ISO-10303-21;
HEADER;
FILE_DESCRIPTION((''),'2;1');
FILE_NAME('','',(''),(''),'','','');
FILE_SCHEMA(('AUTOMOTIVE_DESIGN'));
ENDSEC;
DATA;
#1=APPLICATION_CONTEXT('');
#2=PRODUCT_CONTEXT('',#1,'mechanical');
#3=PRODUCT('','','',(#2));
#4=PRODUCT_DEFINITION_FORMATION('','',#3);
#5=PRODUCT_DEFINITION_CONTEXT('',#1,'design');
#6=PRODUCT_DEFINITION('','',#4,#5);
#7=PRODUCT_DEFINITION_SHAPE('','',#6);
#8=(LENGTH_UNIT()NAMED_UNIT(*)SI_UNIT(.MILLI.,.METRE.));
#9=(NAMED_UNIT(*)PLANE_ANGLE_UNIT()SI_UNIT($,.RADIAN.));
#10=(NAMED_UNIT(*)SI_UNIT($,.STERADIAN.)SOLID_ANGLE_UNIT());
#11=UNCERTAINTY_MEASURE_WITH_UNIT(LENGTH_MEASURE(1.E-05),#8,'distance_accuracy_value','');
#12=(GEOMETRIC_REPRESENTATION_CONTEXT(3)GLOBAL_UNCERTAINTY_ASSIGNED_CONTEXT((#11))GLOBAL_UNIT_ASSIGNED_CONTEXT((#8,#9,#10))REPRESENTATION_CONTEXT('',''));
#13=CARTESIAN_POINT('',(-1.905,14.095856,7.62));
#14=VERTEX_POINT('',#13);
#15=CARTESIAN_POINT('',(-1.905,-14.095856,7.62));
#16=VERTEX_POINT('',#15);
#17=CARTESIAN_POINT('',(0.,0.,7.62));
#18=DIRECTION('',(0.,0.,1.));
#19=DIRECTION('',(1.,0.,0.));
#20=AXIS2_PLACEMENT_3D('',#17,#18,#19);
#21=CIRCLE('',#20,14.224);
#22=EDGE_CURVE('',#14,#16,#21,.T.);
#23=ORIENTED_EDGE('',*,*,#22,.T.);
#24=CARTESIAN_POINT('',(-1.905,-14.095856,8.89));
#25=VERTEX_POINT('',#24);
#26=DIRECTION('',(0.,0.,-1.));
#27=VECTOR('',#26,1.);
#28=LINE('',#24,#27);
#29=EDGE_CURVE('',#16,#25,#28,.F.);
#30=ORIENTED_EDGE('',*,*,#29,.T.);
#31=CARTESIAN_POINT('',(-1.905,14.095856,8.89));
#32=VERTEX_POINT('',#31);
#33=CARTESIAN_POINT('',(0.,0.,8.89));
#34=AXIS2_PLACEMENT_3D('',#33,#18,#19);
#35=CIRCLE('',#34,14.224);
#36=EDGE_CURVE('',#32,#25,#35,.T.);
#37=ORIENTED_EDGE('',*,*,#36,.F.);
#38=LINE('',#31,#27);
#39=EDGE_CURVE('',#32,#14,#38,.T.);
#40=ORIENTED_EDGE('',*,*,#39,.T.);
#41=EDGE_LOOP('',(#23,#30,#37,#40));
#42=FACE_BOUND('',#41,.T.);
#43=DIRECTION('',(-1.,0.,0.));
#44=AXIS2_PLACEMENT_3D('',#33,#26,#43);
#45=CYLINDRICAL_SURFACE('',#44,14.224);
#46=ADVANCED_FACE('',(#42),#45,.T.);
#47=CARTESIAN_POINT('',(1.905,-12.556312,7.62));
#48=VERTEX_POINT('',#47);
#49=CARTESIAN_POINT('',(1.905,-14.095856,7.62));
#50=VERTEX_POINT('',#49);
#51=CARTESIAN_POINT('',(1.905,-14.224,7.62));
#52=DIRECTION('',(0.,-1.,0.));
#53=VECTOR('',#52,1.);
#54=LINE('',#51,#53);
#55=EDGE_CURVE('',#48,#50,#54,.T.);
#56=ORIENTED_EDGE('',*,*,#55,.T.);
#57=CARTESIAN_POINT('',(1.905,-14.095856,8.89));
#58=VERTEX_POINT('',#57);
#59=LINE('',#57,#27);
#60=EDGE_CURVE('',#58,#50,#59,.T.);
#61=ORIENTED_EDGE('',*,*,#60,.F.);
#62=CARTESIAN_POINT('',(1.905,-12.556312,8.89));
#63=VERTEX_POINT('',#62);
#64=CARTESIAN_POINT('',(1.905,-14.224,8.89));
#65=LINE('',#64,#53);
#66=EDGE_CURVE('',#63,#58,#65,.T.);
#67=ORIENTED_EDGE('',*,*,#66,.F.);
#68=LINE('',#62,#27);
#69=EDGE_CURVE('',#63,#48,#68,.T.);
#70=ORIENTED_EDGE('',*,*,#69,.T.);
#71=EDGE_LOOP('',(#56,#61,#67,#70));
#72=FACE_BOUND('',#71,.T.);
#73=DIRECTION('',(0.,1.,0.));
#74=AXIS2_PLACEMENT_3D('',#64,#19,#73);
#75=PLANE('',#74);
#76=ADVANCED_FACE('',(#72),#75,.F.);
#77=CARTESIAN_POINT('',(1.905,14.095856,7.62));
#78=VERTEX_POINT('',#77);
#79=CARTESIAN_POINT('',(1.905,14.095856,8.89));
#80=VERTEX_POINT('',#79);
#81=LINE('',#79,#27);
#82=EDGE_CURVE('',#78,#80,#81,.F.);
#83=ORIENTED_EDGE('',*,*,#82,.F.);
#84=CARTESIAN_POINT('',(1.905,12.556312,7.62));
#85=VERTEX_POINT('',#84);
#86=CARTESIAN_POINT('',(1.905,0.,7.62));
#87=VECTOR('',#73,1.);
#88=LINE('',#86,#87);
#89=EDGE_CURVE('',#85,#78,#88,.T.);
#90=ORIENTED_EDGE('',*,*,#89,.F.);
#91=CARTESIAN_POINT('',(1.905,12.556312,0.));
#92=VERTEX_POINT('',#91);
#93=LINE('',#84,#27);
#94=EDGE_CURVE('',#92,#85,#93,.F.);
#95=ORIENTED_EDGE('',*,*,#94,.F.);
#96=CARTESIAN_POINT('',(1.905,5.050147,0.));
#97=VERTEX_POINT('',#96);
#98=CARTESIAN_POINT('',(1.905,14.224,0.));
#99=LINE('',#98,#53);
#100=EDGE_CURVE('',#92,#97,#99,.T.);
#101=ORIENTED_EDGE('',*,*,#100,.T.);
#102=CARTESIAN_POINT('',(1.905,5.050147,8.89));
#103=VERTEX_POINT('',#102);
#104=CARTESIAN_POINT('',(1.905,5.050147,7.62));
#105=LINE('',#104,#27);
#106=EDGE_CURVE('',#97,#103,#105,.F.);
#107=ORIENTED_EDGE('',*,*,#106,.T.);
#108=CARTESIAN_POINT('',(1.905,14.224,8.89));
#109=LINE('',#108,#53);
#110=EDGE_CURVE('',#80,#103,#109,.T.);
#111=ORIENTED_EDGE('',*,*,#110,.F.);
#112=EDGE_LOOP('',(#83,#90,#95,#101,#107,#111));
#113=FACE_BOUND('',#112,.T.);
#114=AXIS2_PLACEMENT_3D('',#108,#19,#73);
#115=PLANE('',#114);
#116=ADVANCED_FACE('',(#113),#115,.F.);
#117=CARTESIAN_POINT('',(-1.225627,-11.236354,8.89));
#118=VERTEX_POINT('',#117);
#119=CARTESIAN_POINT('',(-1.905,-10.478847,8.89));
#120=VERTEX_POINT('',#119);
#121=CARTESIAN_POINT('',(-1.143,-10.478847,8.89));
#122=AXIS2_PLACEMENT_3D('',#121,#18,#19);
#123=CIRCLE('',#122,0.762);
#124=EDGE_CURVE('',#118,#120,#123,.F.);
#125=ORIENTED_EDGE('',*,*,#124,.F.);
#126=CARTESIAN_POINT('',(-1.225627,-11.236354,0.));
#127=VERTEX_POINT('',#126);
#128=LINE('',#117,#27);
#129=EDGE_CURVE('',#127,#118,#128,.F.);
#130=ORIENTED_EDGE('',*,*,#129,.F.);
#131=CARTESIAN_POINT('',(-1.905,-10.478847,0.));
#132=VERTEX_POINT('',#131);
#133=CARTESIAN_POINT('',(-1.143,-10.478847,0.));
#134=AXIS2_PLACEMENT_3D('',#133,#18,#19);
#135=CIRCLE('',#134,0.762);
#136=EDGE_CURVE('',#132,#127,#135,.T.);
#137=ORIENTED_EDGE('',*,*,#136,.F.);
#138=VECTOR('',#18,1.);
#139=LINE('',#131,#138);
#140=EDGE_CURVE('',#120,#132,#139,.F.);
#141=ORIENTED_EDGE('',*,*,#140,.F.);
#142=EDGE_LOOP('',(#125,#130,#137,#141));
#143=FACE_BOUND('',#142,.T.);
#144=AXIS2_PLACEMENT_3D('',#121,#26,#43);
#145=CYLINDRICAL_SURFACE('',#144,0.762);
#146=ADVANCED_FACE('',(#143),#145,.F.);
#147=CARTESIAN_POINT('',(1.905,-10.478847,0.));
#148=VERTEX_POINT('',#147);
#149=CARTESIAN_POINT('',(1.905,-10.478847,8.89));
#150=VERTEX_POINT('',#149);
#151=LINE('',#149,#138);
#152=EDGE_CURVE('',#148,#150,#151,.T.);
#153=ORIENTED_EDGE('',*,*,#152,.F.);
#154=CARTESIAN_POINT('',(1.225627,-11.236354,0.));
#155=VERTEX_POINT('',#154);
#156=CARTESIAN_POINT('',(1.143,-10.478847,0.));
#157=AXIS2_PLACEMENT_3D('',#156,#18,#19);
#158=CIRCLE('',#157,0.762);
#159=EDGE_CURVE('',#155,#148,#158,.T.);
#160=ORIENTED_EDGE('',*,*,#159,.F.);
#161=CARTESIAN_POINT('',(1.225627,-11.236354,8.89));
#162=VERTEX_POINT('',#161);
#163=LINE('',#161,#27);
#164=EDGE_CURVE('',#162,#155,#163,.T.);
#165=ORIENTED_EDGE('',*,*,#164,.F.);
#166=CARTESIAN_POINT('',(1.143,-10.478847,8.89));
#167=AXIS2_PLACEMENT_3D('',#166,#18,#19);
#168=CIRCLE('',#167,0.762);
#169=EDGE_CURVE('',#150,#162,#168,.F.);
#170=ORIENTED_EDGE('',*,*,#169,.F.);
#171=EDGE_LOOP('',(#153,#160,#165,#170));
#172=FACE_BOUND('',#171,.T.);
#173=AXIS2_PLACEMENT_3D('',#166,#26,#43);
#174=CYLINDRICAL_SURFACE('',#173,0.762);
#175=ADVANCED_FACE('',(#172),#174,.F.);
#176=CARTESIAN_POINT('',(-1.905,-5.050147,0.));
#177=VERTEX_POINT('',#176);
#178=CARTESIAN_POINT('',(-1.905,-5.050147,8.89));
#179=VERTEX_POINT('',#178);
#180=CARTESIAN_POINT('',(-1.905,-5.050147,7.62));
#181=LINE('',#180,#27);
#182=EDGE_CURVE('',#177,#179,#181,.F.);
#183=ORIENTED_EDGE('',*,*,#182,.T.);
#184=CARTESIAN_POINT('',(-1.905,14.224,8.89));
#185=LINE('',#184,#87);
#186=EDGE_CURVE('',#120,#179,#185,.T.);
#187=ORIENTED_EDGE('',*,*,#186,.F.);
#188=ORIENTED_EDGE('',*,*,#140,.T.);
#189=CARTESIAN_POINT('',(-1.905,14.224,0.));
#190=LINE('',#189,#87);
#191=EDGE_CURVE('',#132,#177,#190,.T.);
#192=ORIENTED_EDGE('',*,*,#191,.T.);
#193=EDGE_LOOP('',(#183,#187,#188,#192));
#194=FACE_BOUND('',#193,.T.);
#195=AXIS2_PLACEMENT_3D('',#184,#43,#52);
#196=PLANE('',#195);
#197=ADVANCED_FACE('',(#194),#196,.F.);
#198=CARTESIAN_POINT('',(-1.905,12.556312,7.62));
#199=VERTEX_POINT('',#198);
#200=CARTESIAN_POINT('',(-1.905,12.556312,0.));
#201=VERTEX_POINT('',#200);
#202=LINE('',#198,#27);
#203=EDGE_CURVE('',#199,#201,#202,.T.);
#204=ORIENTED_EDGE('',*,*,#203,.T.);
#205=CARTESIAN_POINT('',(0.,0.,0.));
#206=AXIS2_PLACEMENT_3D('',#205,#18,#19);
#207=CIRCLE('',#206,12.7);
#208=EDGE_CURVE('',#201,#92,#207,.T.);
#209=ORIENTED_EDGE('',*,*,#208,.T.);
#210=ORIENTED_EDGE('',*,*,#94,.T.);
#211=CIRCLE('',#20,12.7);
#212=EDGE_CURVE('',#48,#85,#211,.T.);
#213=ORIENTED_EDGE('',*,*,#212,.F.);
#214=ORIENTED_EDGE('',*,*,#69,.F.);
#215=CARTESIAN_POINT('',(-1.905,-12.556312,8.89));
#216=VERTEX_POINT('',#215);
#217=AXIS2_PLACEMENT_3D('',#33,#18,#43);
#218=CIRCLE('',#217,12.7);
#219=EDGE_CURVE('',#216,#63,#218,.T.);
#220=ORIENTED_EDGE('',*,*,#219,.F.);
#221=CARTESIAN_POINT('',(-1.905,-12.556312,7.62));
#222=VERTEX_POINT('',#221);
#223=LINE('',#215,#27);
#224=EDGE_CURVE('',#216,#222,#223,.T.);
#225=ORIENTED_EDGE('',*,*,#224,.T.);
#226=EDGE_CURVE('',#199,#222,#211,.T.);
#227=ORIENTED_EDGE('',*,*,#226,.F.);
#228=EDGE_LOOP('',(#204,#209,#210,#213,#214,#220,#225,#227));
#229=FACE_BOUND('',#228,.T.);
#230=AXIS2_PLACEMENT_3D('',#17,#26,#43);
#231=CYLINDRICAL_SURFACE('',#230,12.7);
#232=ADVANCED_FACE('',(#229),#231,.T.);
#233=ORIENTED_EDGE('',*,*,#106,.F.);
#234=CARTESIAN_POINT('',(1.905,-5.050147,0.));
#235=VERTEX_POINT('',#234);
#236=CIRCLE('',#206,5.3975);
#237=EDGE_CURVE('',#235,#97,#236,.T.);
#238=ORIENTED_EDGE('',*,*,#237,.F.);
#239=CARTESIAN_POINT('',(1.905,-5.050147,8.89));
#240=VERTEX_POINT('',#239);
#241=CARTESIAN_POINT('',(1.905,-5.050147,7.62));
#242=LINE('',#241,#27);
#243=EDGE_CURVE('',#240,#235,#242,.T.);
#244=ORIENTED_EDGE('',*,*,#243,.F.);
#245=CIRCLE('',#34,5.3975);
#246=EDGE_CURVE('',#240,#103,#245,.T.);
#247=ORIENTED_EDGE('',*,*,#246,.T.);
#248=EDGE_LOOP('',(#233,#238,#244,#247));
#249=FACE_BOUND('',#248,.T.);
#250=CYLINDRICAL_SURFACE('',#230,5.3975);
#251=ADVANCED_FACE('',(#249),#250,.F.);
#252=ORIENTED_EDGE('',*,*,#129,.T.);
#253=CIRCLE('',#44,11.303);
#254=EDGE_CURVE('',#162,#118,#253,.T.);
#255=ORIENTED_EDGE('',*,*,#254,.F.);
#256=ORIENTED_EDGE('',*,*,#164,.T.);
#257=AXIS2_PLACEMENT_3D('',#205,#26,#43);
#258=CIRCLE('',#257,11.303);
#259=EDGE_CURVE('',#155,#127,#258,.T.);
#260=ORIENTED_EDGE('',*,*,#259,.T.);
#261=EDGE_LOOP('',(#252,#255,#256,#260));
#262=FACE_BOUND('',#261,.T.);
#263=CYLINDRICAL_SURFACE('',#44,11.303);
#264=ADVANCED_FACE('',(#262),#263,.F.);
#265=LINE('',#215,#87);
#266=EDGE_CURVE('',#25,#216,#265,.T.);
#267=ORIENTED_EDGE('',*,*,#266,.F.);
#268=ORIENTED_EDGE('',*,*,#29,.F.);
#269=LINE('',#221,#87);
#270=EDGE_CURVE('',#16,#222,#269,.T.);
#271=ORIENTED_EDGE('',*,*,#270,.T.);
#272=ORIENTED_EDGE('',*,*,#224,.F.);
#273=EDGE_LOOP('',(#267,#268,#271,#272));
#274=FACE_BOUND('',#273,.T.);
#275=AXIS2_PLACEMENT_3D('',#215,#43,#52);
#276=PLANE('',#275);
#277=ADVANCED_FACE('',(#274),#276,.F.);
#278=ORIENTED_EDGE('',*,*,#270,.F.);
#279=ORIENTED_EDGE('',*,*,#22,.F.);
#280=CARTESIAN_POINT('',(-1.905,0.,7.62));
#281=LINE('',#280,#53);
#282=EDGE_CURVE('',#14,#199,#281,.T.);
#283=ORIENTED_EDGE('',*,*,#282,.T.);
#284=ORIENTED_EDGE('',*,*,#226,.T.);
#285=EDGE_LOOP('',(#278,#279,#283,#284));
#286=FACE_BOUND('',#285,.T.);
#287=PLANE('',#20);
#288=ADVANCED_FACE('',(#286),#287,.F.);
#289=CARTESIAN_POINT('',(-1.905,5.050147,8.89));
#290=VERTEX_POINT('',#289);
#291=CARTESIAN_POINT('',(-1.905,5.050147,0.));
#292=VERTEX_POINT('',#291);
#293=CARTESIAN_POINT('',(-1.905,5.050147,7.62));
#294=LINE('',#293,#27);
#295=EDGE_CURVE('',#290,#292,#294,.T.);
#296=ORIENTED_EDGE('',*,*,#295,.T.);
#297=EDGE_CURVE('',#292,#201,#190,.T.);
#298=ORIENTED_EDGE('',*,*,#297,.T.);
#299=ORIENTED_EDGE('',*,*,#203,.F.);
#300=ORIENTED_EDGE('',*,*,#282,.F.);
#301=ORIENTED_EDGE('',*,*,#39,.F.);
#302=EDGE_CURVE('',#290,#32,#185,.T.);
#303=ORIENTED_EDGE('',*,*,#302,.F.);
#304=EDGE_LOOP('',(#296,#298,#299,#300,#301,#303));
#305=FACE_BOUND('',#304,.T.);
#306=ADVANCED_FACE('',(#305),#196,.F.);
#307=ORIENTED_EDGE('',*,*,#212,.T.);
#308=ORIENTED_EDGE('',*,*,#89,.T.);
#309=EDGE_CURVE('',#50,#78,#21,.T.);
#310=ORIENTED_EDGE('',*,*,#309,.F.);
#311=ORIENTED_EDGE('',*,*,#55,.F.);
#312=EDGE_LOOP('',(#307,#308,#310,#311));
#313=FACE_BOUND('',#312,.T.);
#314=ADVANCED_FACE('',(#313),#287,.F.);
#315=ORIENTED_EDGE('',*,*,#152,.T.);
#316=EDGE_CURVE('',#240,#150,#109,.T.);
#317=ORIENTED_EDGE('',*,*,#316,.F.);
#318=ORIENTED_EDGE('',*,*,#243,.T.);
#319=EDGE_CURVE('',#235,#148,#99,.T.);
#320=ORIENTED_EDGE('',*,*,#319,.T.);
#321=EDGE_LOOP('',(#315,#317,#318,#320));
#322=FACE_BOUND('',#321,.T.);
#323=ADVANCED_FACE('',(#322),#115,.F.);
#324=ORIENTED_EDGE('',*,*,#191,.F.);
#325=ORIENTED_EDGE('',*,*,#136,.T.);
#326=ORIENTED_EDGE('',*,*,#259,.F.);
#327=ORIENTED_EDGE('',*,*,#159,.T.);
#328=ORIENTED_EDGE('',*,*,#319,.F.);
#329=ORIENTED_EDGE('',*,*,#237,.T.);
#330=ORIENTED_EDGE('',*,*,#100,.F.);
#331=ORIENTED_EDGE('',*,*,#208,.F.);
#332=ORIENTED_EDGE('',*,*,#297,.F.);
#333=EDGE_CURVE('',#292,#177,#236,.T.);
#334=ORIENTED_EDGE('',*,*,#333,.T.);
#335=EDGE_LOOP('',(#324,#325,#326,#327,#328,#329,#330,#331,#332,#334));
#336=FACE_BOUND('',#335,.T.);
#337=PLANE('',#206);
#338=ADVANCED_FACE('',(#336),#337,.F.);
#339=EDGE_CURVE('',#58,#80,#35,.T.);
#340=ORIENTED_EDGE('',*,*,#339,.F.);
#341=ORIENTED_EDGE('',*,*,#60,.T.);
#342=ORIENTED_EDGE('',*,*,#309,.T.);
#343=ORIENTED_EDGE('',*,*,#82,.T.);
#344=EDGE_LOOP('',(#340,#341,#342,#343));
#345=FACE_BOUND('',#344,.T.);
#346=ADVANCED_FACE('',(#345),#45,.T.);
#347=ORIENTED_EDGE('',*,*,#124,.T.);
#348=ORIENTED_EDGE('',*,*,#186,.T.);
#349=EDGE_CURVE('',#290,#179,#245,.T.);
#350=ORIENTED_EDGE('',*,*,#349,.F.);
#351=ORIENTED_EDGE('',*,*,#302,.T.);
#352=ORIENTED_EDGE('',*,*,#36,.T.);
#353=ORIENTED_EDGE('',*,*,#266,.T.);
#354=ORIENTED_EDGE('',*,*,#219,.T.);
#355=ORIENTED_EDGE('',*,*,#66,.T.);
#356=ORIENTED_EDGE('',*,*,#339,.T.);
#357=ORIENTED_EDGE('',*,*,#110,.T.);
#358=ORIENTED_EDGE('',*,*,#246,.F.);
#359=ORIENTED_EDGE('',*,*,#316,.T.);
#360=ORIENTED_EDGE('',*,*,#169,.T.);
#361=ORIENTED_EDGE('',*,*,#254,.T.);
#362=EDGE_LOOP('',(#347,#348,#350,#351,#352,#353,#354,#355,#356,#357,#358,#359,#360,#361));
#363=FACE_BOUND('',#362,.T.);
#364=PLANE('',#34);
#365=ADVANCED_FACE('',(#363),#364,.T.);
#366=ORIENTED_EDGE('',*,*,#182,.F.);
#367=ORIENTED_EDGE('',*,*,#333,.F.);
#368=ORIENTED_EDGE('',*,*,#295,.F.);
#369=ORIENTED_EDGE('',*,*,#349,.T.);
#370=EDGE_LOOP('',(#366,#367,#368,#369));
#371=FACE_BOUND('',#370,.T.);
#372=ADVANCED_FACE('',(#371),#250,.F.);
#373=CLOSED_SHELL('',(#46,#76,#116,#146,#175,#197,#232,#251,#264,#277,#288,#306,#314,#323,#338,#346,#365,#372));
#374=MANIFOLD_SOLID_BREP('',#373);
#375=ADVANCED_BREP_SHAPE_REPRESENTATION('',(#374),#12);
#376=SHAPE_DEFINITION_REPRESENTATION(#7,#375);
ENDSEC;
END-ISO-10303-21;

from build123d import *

# Parameters (mm, degrees)
SKETCH1_R           = 12.7
SKETCH1_R_2         = 5.3975
BOSS_EXTRUDE1_DEPTH = 7.62
SKETCH2_R           = 14.224
SKETCH2_R_2         = 5.3975
BOSS_EXTRUDE2_DEPTH = 1.27
CUT_EXTRUDE1_DEPTH  = 9.89
CUT_EXTRUDE2_DEPTH  = 2.27
FILLET1_R           = 0.762


with BuildPart() as part:
    # Sketch1 → Boss-Extrude1 (new body)
    with BuildSketch(Plane.XY):
        Circle(SKETCH1_R)
        Circle(SKETCH1_R_2, mode=Mode.SUBTRACT)
    extrude(amount=BOSS_EXTRUDE1_DEPTH)

    # Sketch2 → Boss-Extrude2 (add)
    with BuildSketch(Plane.XY.offset(7.62)):
        Circle(SKETCH2_R)
        Circle(SKETCH2_R_2, mode=Mode.SUBTRACT)
    extrude(amount=BOSS_EXTRUDE2_DEPTH)

    # Sketch3 → Cut-Extrude1 (cut, through all)
    with BuildSketch(Plane(origin=(0, 0, 0), x_dir=(-1, 0, 0), z_dir=(0, 0, -1))):
        with BuildLine():
            Line((-1.905, 14.224), (1.905, 14.224))
            Line((1.905, 14.224), (1.905, -11.141309797))
            ThreePointArc((1.905, -11.141309797), (0, -11.303), (-1.905, -11.141309797))
            Line((-1.905, -11.141309797), (-1.905, 14.224))
        make_face()
    extrude(amount=-CUT_EXTRUDE1_DEPTH, mode=Mode.SUBTRACT)

    # Sketch4 → Cut-Extrude2 (cut, through all)
    with BuildSketch(Plane(origin=(0, 0, 7.62), x_dir=(-1, 0, 0), z_dir=(0, 0, -1))):
        with BuildLine():
            Line((-1.905, -14.224), (-1.905, -12.556312158))
            ThreePointArc((-1.905, -12.556312158), (0, -12.7), (1.905, -12.556312158))
            Line((1.905, -12.556312158), (1.905, -14.224))
            Line((1.905, -14.224), (-1.905, -14.224))
        make_face()
    extrude(amount=-CUT_EXTRUDE2_DEPTH, mode=Mode.SUBTRACT)

    # Fillet1
    fillet1_edges = [part.edges().sort_by_distance(p)[0] for p in [
        (1.905, -11.141309797, 4.445),
        (-1.905, -11.141309797, 4.445),
    ]]
    fillet(fillet1_edges, radius=FILLET1_R)


solid = part.part
